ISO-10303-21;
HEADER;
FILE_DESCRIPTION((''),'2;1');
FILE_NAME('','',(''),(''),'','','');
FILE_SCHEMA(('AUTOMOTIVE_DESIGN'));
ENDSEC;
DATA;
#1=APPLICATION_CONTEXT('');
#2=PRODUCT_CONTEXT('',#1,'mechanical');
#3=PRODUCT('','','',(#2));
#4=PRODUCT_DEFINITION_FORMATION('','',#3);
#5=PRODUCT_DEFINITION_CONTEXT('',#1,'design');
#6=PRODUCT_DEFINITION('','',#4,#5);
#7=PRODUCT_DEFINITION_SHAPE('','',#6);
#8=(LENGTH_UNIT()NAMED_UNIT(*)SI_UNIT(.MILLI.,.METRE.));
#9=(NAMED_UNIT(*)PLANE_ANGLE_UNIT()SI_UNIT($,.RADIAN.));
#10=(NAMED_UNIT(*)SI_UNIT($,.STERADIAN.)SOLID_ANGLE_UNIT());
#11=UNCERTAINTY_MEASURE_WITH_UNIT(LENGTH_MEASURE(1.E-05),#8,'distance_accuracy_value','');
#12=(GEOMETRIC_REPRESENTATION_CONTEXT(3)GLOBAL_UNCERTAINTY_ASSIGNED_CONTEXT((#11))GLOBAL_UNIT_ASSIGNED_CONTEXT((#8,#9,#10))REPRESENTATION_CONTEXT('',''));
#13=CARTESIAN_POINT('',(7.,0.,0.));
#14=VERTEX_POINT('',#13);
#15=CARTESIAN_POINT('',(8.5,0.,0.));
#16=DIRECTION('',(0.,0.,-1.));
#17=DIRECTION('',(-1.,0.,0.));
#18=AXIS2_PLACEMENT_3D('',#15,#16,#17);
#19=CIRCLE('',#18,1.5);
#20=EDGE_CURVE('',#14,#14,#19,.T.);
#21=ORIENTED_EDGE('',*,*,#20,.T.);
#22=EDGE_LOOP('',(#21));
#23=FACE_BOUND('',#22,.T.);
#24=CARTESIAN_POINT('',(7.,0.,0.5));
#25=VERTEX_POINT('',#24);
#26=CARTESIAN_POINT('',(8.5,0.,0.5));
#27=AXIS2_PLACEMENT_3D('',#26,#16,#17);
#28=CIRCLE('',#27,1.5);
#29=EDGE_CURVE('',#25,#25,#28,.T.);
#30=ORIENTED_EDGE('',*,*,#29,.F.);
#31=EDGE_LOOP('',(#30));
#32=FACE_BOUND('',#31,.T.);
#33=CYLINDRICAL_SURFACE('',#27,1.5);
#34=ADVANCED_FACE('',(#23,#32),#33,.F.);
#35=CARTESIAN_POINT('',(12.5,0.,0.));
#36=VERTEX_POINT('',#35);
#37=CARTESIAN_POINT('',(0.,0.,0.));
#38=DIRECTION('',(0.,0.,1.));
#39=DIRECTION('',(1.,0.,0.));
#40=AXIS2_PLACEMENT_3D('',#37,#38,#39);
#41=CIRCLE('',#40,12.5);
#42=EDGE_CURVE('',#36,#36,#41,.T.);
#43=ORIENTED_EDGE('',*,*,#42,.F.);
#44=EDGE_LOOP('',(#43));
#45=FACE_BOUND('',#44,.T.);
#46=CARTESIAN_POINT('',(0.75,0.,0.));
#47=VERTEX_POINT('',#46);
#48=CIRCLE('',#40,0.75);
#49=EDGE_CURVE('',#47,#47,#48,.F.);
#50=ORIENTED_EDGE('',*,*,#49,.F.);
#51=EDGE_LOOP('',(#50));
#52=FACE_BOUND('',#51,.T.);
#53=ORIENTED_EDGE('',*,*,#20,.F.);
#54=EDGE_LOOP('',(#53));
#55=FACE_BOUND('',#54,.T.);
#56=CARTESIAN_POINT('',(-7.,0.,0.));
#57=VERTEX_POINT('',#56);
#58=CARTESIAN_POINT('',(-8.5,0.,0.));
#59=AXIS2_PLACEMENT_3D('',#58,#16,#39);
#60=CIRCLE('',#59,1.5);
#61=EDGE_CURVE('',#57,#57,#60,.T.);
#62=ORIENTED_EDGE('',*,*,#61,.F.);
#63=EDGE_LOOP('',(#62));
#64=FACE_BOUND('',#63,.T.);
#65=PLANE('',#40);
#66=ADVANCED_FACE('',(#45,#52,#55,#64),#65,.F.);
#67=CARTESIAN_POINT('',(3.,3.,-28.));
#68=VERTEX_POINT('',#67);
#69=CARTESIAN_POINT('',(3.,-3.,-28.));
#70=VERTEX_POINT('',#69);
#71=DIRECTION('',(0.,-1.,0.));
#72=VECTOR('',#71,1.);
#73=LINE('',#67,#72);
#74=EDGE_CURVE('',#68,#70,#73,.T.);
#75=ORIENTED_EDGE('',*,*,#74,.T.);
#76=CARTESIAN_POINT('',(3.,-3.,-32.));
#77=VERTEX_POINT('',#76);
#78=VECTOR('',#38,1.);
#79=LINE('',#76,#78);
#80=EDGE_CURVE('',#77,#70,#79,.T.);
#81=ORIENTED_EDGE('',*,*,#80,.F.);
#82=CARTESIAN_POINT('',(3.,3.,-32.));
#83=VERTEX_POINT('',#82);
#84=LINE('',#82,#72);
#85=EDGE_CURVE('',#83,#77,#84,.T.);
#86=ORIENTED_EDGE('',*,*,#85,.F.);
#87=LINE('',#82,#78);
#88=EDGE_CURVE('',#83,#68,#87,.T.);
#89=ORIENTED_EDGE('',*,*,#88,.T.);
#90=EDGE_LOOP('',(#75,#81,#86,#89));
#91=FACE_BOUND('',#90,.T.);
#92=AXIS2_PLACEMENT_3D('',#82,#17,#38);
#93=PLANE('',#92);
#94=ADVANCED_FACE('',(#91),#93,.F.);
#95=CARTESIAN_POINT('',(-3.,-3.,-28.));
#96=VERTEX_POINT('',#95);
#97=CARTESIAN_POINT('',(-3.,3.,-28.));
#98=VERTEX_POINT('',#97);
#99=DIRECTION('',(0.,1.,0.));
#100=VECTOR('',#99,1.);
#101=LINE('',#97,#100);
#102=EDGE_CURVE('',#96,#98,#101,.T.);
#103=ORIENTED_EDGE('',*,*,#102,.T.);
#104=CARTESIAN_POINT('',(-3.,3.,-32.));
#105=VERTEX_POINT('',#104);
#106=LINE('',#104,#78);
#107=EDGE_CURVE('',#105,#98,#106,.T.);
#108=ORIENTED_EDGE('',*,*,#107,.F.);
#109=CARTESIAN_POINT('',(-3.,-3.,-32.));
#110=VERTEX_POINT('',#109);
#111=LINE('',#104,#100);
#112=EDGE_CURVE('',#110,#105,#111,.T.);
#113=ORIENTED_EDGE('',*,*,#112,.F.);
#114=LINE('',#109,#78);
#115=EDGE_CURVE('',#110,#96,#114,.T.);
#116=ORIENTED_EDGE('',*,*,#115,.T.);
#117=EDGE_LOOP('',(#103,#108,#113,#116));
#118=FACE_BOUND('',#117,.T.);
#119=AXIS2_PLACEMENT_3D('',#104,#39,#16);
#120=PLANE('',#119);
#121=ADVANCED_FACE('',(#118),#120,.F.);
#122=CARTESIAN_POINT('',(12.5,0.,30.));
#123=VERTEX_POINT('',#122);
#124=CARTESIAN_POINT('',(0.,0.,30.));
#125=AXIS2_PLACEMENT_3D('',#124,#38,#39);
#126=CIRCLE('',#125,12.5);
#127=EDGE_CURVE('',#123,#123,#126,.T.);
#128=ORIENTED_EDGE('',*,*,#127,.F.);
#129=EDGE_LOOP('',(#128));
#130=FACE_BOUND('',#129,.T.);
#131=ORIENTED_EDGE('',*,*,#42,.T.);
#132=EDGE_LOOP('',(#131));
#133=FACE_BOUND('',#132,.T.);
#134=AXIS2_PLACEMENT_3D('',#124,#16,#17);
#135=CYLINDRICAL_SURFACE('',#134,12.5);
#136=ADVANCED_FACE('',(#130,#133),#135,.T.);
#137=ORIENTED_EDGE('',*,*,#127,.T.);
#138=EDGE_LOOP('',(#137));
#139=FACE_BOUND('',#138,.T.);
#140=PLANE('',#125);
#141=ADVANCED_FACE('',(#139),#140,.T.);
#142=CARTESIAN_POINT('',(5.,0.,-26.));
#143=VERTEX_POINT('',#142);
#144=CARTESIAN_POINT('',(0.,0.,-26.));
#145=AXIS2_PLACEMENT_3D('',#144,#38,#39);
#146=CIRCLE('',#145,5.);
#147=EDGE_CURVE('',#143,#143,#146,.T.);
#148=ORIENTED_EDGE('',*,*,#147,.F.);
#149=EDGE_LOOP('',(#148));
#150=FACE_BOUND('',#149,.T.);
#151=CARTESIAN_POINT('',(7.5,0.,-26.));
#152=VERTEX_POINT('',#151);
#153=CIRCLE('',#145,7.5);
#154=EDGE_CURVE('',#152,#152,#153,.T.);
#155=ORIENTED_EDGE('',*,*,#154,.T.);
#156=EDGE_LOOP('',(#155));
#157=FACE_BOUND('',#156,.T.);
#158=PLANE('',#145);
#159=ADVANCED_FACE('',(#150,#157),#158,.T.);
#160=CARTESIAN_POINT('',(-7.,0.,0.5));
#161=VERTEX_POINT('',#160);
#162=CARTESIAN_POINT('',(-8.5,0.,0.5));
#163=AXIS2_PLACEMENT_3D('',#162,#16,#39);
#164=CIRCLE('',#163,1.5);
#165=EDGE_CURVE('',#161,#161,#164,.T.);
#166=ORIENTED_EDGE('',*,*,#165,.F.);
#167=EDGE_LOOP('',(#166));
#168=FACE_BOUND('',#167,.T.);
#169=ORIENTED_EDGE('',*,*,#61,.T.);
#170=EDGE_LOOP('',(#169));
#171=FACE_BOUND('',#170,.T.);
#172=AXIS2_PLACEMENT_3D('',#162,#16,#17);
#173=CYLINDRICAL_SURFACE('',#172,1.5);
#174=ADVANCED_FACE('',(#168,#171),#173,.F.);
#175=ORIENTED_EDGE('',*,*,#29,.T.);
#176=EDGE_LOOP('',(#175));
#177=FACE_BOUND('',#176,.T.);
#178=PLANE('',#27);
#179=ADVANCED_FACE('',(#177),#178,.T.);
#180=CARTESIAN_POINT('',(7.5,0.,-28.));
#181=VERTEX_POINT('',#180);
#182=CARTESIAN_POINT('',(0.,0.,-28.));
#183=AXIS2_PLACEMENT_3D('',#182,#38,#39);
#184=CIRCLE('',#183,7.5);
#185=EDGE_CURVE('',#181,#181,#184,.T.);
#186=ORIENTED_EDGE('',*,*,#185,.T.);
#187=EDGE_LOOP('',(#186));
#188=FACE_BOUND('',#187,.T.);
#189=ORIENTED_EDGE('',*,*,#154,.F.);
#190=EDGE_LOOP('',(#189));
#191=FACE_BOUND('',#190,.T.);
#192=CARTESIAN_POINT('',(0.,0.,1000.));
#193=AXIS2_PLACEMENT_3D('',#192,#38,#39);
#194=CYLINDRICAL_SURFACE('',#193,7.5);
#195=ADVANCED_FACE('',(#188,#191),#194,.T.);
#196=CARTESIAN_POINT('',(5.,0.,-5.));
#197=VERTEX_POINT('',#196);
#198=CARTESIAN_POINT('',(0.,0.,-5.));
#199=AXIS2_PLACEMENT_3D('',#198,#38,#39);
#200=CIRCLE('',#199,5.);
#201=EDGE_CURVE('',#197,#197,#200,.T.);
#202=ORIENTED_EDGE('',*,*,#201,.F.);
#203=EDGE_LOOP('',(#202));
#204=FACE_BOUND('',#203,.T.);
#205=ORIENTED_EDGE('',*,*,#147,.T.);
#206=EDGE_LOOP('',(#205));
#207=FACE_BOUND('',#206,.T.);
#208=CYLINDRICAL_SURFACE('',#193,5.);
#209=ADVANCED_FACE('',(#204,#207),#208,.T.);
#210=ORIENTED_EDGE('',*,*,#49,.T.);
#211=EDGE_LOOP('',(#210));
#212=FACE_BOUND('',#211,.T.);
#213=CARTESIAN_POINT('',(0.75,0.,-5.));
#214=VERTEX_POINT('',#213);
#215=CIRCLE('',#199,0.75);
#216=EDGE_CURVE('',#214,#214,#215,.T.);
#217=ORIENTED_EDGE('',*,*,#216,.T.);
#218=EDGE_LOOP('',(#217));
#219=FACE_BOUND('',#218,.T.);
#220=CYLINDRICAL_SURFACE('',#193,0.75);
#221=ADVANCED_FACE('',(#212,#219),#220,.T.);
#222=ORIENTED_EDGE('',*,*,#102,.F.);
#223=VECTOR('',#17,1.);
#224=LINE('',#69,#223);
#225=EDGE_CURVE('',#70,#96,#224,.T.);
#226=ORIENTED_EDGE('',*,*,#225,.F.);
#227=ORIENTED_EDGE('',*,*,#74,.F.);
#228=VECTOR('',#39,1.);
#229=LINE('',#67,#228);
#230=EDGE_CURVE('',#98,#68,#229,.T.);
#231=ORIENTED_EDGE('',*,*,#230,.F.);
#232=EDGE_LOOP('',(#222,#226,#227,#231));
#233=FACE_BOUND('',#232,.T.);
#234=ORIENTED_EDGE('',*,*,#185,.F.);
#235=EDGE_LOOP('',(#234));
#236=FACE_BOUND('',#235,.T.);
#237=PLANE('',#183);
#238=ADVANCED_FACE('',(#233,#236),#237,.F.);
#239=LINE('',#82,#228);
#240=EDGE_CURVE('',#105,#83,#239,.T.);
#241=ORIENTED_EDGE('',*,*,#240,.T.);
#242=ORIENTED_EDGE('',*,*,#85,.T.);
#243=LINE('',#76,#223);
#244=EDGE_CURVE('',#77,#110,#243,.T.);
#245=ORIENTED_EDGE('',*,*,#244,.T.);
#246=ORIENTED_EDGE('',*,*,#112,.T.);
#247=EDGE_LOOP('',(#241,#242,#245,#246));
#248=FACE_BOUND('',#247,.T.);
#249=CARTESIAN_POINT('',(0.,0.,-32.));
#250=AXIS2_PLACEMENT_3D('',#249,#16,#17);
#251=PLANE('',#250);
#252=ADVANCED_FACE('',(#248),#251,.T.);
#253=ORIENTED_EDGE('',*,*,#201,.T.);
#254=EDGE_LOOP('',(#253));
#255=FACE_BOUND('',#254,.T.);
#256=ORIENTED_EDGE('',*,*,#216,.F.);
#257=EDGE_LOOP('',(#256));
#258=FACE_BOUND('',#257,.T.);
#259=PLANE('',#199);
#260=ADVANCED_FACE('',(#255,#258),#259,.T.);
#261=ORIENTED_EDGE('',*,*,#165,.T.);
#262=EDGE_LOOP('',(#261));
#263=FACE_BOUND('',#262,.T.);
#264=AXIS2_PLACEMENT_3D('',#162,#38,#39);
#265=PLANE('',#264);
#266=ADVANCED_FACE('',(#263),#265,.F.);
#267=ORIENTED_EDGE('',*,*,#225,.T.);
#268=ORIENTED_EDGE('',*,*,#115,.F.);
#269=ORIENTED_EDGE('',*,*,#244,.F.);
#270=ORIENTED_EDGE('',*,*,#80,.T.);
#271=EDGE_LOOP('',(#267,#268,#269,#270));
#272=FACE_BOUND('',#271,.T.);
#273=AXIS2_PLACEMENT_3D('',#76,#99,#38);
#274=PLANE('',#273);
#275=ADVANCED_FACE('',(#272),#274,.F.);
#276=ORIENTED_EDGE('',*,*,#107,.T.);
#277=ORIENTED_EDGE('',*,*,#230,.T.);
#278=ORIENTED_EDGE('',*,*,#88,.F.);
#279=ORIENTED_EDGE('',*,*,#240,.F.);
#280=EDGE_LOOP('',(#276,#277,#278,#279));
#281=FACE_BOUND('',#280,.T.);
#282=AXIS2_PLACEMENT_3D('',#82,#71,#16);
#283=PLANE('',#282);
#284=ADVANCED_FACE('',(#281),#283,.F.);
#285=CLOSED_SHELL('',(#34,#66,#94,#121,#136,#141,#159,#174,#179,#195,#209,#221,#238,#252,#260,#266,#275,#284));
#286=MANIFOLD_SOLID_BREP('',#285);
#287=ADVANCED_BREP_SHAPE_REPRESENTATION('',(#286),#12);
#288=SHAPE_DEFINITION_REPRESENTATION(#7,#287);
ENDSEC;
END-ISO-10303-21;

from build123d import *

# Parameters (mm, degrees)
SKETCH_1_R          = 12.5
EXTRUDE_1_DEPTH     = 30
SKETCH_4_R          = 1.5
CUT_EXTRUDE_1_DEPTH = 0.5
SKETCH_3_W          = 6
SKETCH_3_H          = 6
EXTRUDE_2_DEPTH     = 4


with BuildPart() as part:
    # 草图1 → 凸台-拉伸1 (new body)
    with BuildSketch(Plane.XY):
        Circle(SKETCH_1_R)
    extrude(amount=EXTRUDE_1_DEPTH)

    # 草图4 → 切除-拉伸1 (cut)
    with BuildSketch(Plane(origin=(0, 0, 0), x_dir=(-1, 0, 0), z_dir=(0, 0, -1))):
        with Locations((-8.5, 0)):
            Circle(SKETCH_4_R)
        with Locations(Location((8.5, 0, 0), (0, 0, 180))):
            Circle(SKETCH_4_R)
    extrude(amount=-CUT_EXTRUDE_1_DEPTH, mode=Mode.SUBTRACT)

    # 草图2 → 旋转2 (revolve)
    with BuildSketch(Plane(origin=(0, 0, 0), x_dir=(1, 0, 0), z_dir=(0, 1, 0))):
        Polygon((5, 28), (0, 28), (0, 0), (0.75, 0), (0.75, 5), (5, 5), (5, 26), (7.5, 26), (7.5, 28), align=None)
    revolve(axis=Axis((0, 0, 1000), (0, 0, -1)))

    # 草图3 → 凸台-拉伸2 (add)
    with BuildSketch(Plane(origin=(0, 0, -28), x_dir=(-1, 0, 0), z_dir=(0, 0, -1))):
        Rectangle(SKETCH_3_W, SKETCH_3_H)
    extrude(amount=EXTRUDE_2_DEPTH)


solid = part.part
